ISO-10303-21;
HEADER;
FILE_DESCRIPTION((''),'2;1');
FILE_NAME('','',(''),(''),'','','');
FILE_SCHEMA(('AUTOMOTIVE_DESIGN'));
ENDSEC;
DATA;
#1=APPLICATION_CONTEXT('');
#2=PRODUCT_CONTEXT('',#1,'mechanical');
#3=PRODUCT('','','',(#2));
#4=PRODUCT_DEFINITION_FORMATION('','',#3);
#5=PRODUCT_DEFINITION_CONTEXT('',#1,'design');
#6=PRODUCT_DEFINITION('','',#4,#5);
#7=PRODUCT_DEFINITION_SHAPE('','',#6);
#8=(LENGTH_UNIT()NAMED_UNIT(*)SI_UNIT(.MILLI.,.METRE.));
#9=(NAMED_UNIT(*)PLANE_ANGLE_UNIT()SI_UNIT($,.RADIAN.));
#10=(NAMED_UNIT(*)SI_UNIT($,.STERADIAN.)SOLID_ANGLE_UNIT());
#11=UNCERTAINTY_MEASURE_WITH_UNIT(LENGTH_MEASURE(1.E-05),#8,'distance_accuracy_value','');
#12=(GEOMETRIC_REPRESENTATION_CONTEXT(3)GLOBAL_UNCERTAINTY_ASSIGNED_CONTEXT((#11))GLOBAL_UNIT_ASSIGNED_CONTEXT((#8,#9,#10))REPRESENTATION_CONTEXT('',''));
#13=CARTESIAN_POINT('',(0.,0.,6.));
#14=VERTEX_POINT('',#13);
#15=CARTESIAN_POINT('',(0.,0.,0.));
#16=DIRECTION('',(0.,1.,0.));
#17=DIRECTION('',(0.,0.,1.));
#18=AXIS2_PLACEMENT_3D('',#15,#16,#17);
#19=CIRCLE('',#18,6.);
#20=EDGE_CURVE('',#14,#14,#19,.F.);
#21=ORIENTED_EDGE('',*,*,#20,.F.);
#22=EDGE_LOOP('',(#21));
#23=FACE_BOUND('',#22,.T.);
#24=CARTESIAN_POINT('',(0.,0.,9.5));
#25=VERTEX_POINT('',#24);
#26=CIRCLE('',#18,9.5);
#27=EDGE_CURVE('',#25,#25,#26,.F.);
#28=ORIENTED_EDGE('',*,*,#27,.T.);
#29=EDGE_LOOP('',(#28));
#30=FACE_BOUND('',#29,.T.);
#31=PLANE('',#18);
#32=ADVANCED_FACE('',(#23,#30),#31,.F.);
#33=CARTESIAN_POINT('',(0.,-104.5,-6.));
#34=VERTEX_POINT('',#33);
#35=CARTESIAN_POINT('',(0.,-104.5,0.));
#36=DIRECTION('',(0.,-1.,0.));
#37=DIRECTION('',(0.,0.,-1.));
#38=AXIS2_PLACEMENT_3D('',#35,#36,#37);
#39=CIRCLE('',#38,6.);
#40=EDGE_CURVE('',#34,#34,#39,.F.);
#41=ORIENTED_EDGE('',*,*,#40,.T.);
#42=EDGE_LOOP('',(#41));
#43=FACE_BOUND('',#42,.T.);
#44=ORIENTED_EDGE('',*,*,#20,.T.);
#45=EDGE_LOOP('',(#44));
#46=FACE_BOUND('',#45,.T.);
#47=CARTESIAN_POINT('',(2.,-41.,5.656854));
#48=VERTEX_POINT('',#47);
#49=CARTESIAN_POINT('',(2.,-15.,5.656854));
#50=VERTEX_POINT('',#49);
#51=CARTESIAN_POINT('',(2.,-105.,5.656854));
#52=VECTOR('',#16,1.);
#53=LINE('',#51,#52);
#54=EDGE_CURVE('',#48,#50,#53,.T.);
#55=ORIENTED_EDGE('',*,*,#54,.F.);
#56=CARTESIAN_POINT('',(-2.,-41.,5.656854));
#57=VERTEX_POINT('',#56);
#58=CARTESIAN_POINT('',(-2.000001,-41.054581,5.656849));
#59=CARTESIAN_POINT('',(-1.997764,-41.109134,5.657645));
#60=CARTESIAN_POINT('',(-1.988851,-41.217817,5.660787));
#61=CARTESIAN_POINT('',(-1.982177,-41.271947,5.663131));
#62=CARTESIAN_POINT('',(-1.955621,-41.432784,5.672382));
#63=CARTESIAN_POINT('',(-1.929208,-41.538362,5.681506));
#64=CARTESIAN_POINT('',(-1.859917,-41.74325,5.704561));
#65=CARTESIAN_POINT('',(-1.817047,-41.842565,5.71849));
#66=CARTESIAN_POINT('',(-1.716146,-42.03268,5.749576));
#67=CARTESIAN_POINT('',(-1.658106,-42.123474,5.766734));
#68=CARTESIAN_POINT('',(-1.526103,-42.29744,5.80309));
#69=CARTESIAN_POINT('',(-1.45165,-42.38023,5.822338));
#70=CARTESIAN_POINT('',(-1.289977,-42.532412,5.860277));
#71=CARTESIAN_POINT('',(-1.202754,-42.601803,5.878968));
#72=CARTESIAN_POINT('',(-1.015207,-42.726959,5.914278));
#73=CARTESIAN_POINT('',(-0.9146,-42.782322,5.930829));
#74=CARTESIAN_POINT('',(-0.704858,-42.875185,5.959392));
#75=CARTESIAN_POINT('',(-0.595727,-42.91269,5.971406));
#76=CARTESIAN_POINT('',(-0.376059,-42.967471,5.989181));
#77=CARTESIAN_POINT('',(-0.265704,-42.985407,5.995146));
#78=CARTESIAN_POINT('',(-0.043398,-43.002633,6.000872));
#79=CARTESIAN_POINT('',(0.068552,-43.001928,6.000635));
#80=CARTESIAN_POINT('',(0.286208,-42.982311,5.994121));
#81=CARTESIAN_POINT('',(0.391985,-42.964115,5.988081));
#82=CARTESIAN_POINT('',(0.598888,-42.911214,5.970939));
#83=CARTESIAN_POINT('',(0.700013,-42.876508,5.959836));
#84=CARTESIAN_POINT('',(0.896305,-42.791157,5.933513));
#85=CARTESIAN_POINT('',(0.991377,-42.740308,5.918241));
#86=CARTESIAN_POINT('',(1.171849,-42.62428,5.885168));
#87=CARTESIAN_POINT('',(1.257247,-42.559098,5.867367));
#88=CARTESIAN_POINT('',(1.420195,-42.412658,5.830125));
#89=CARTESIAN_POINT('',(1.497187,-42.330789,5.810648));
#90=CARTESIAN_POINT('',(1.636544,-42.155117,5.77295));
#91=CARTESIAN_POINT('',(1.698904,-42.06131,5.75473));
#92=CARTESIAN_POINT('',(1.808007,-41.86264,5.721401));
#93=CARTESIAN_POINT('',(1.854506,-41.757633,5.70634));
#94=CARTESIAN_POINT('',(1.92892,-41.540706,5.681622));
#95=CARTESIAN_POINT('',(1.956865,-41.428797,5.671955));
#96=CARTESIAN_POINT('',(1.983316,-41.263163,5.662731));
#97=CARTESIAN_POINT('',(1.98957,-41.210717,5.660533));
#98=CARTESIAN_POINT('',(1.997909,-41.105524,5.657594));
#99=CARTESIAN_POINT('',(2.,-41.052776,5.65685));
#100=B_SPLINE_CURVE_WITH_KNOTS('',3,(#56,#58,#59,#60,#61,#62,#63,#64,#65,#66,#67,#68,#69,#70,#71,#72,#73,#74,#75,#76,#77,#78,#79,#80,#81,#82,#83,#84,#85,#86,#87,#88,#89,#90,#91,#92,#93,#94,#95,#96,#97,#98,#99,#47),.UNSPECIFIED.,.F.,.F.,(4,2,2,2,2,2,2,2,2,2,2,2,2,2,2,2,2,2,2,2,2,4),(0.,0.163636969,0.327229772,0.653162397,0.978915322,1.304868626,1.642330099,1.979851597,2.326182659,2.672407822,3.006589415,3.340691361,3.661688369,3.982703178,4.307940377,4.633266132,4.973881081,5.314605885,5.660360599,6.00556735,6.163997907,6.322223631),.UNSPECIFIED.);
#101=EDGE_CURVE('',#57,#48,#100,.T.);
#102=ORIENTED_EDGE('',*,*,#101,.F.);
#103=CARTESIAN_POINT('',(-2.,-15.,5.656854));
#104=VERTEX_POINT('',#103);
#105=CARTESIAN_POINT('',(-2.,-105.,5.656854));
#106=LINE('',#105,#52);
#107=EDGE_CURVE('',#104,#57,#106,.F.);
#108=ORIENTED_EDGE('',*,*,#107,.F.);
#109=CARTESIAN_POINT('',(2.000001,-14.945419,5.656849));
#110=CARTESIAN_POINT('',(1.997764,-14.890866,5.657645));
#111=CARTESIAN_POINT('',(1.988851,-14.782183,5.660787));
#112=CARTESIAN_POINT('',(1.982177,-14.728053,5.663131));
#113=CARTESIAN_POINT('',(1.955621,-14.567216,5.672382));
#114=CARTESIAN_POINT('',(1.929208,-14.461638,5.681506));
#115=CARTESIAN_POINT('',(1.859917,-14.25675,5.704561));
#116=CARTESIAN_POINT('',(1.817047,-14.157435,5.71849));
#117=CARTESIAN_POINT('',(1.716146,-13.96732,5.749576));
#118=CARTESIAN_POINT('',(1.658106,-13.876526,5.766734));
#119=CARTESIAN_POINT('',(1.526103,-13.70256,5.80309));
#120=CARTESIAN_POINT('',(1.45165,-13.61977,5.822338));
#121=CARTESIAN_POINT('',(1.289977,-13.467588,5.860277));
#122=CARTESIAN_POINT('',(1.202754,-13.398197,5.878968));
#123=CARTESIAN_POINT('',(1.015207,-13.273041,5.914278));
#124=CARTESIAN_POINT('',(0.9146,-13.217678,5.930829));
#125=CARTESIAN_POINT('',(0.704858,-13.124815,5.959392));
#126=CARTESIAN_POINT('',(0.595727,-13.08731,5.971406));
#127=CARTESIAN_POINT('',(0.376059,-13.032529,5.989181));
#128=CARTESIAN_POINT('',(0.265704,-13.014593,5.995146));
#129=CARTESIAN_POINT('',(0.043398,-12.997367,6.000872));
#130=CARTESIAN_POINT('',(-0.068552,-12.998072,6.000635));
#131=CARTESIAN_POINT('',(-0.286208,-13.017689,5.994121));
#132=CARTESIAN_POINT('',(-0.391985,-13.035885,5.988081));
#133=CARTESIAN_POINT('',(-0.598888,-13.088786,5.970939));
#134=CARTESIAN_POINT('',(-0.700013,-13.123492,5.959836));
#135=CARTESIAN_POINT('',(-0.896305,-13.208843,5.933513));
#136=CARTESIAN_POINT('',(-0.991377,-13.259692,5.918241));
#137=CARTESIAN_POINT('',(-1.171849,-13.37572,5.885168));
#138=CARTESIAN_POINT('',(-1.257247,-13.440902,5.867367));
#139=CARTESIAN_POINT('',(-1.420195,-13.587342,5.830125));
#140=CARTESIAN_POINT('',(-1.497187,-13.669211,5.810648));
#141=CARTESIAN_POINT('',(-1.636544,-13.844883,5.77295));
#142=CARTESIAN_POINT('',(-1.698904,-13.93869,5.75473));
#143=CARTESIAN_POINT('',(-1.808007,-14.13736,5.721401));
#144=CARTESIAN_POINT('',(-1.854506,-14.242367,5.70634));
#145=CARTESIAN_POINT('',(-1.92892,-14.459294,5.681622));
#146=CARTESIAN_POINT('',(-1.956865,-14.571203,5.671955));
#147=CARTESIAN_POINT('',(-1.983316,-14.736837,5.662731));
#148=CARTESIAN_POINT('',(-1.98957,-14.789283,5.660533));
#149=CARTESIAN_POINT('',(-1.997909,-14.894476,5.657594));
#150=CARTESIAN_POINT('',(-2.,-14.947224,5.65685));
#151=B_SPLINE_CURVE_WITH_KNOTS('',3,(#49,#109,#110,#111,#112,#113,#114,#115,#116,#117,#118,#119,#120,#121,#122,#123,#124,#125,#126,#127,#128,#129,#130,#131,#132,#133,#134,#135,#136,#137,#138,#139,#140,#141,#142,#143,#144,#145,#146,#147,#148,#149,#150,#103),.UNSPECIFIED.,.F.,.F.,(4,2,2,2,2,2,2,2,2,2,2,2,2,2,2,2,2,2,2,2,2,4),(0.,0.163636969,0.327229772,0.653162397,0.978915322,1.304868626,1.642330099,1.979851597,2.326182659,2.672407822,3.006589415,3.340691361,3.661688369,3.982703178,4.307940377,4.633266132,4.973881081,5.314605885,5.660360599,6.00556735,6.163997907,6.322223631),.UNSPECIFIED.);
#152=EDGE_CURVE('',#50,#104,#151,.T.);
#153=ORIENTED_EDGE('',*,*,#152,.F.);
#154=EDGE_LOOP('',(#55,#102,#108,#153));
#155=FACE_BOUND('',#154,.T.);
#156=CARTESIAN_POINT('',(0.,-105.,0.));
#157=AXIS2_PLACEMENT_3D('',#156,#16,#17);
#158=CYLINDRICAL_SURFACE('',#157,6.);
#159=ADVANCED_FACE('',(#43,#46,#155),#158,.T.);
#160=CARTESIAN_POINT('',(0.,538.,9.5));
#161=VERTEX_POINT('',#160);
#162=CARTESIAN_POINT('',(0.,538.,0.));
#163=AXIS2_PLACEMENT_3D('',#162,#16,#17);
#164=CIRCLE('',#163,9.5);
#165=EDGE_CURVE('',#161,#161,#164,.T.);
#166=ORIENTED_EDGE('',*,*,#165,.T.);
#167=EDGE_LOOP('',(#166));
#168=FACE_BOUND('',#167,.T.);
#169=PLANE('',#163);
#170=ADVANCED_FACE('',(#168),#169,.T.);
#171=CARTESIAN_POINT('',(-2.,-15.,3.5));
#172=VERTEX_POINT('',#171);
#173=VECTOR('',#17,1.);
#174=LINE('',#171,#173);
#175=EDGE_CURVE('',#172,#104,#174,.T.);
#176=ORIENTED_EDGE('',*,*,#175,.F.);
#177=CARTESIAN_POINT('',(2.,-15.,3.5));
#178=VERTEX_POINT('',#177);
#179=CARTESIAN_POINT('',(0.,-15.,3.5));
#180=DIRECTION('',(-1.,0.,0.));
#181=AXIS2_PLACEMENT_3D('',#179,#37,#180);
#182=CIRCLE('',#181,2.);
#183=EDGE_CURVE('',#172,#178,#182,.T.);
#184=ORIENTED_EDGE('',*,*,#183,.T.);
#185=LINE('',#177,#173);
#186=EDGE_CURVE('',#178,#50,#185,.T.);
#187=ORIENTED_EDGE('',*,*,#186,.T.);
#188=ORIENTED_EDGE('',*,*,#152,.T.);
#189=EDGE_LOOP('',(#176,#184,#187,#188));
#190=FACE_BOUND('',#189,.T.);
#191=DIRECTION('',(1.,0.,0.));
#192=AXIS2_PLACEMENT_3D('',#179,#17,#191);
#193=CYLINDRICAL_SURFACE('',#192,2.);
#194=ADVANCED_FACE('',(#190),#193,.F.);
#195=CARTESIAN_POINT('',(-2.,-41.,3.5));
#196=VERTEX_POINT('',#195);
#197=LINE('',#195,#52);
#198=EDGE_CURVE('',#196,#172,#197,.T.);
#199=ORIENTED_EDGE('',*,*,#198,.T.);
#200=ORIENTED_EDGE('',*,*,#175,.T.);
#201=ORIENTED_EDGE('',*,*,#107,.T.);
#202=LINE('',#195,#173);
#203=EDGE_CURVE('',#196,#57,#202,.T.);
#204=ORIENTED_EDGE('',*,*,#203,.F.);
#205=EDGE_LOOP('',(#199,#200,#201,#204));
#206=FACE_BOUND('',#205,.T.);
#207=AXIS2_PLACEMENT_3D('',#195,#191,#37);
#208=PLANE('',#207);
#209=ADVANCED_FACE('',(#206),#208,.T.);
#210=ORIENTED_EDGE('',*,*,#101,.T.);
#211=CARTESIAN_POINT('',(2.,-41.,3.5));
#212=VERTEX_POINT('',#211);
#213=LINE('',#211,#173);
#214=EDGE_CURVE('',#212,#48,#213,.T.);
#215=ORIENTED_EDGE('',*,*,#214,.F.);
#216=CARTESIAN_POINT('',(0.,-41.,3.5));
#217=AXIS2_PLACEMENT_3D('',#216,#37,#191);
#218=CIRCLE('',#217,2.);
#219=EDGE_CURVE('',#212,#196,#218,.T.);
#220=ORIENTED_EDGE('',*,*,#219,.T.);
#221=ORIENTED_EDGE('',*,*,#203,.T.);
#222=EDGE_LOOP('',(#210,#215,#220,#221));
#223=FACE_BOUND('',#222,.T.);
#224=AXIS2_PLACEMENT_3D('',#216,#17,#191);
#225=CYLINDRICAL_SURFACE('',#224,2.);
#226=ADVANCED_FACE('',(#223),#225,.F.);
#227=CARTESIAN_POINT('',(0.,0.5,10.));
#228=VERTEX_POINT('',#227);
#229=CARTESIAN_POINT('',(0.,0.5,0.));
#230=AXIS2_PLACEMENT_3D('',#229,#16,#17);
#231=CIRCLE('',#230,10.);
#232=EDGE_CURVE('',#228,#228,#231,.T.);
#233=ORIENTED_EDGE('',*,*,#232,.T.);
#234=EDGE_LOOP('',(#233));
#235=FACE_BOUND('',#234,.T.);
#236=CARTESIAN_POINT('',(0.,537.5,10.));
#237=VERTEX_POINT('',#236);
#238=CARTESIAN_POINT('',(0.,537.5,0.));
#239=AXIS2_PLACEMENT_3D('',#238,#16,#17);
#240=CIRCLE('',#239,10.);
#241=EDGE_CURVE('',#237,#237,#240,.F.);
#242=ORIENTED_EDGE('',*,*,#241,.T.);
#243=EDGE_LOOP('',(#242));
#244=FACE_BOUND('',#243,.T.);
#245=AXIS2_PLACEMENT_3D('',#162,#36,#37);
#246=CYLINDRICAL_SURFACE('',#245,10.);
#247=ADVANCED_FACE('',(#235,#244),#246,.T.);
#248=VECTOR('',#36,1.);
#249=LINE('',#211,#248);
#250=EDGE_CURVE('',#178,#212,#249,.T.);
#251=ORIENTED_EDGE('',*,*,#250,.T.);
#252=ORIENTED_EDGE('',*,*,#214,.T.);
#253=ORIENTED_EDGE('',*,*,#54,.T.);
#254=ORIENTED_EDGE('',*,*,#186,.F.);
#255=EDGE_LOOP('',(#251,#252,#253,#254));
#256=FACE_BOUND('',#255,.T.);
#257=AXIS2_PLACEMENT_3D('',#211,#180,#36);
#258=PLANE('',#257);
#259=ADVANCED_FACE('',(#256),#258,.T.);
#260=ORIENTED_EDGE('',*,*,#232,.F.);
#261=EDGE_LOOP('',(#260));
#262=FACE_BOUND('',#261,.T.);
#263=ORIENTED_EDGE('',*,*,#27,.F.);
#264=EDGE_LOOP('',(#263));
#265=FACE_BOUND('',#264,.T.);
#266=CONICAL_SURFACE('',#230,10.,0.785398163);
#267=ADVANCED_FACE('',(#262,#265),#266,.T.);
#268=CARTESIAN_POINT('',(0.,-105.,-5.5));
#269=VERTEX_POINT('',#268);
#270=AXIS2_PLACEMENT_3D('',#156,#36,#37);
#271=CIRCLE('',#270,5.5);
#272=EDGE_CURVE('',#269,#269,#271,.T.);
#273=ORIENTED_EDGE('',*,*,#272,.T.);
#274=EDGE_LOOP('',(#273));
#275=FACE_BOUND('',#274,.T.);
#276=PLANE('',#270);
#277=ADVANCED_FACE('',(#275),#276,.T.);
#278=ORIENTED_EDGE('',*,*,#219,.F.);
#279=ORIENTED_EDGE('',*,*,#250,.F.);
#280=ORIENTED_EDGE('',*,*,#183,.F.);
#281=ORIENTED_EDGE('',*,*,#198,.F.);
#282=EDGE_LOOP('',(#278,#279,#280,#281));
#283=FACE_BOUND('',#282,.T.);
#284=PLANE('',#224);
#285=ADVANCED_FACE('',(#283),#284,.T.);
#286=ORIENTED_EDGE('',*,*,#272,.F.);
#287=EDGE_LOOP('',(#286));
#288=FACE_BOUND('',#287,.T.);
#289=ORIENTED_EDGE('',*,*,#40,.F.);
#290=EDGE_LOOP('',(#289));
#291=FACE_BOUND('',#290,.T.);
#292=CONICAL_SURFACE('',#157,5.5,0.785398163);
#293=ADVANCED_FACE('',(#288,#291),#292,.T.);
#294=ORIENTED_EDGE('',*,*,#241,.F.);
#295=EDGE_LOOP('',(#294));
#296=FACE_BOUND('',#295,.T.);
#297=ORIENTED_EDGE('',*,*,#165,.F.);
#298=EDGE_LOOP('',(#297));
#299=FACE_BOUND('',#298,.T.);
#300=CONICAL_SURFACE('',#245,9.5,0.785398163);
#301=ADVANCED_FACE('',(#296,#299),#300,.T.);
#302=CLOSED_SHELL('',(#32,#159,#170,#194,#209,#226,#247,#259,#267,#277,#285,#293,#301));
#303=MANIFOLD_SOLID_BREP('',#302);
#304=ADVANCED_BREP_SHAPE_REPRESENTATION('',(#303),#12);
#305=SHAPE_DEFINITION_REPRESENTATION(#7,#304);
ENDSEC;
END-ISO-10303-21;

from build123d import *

# Parameters (mm, degrees)
SKIZZE1_R                       = 10
AUFSATZ_LINEAR_AUSTRAGEN1_DEPTH = 538
SKIZZE2_R                       = 6
AUFSATZ_LINEAR_AUSTRAGEN2_DEPTH = 105
FASE1_SIZE                      = 0.5
CUT_EXTRUDE1_DEPTH              = 2.5


with BuildPart() as part:
    # Skizze1 → Aufsatz-Linear austragen1 (new body)
    with BuildSketch(Plane(origin=(0, 0, 0), x_dir=(1, 0, 0), z_dir=(0, 1, 0))):
        with Locations(Location((0, 0, 0), (0, 0, 270))):  # turned: the seam where the file's is
            Circle(SKIZZE1_R)
    extrude(amount=AUFSATZ_LINEAR_AUSTRAGEN1_DEPTH)

    # Skizze2 → Aufsatz-Linear austragen2 (add)
    with BuildSketch(Plane.XZ):
        with Locations(Location((0, 0, 0), (0, 0, 90))):  # turned: the seam where the file's is
            Circle(SKIZZE2_R)
    extrude(amount=AUFSATZ_LINEAR_AUSTRAGEN2_DEPTH)

    # Fase1
    fase1_edges = [part.edges().sort_by_distance(p)[0] for p in [
        (0, 0, -10),
        (0, 538, -10),
        (0, -105, -6),
    ]]
    chamfer(fase1_edges, length=FASE1_SIZE)

    # Sketch3 → Cut-Extrude1 (cut)
    with BuildSketch(Plane(origin=(1.706808785, -105, 6), x_dir=(0, -1, 0), z_dir=(0, 0, -1))):
        with BuildLine():
            Line((-64, 3.706808785), (-90, 3.706808785))
            ThreePointArc((-90, 3.706808785), (-92, 1.706808785), (-90, -0.293191215))
            Line((-90, -0.293191215), (-64, -0.293191215))
            ThreePointArc((-64, -0.293191215), (-62, 1.706808785), (-64, 3.706808785))
        make_face()
    extrude(amount=CUT_EXTRUDE1_DEPTH, mode=Mode.SUBTRACT)


solid = part.part
